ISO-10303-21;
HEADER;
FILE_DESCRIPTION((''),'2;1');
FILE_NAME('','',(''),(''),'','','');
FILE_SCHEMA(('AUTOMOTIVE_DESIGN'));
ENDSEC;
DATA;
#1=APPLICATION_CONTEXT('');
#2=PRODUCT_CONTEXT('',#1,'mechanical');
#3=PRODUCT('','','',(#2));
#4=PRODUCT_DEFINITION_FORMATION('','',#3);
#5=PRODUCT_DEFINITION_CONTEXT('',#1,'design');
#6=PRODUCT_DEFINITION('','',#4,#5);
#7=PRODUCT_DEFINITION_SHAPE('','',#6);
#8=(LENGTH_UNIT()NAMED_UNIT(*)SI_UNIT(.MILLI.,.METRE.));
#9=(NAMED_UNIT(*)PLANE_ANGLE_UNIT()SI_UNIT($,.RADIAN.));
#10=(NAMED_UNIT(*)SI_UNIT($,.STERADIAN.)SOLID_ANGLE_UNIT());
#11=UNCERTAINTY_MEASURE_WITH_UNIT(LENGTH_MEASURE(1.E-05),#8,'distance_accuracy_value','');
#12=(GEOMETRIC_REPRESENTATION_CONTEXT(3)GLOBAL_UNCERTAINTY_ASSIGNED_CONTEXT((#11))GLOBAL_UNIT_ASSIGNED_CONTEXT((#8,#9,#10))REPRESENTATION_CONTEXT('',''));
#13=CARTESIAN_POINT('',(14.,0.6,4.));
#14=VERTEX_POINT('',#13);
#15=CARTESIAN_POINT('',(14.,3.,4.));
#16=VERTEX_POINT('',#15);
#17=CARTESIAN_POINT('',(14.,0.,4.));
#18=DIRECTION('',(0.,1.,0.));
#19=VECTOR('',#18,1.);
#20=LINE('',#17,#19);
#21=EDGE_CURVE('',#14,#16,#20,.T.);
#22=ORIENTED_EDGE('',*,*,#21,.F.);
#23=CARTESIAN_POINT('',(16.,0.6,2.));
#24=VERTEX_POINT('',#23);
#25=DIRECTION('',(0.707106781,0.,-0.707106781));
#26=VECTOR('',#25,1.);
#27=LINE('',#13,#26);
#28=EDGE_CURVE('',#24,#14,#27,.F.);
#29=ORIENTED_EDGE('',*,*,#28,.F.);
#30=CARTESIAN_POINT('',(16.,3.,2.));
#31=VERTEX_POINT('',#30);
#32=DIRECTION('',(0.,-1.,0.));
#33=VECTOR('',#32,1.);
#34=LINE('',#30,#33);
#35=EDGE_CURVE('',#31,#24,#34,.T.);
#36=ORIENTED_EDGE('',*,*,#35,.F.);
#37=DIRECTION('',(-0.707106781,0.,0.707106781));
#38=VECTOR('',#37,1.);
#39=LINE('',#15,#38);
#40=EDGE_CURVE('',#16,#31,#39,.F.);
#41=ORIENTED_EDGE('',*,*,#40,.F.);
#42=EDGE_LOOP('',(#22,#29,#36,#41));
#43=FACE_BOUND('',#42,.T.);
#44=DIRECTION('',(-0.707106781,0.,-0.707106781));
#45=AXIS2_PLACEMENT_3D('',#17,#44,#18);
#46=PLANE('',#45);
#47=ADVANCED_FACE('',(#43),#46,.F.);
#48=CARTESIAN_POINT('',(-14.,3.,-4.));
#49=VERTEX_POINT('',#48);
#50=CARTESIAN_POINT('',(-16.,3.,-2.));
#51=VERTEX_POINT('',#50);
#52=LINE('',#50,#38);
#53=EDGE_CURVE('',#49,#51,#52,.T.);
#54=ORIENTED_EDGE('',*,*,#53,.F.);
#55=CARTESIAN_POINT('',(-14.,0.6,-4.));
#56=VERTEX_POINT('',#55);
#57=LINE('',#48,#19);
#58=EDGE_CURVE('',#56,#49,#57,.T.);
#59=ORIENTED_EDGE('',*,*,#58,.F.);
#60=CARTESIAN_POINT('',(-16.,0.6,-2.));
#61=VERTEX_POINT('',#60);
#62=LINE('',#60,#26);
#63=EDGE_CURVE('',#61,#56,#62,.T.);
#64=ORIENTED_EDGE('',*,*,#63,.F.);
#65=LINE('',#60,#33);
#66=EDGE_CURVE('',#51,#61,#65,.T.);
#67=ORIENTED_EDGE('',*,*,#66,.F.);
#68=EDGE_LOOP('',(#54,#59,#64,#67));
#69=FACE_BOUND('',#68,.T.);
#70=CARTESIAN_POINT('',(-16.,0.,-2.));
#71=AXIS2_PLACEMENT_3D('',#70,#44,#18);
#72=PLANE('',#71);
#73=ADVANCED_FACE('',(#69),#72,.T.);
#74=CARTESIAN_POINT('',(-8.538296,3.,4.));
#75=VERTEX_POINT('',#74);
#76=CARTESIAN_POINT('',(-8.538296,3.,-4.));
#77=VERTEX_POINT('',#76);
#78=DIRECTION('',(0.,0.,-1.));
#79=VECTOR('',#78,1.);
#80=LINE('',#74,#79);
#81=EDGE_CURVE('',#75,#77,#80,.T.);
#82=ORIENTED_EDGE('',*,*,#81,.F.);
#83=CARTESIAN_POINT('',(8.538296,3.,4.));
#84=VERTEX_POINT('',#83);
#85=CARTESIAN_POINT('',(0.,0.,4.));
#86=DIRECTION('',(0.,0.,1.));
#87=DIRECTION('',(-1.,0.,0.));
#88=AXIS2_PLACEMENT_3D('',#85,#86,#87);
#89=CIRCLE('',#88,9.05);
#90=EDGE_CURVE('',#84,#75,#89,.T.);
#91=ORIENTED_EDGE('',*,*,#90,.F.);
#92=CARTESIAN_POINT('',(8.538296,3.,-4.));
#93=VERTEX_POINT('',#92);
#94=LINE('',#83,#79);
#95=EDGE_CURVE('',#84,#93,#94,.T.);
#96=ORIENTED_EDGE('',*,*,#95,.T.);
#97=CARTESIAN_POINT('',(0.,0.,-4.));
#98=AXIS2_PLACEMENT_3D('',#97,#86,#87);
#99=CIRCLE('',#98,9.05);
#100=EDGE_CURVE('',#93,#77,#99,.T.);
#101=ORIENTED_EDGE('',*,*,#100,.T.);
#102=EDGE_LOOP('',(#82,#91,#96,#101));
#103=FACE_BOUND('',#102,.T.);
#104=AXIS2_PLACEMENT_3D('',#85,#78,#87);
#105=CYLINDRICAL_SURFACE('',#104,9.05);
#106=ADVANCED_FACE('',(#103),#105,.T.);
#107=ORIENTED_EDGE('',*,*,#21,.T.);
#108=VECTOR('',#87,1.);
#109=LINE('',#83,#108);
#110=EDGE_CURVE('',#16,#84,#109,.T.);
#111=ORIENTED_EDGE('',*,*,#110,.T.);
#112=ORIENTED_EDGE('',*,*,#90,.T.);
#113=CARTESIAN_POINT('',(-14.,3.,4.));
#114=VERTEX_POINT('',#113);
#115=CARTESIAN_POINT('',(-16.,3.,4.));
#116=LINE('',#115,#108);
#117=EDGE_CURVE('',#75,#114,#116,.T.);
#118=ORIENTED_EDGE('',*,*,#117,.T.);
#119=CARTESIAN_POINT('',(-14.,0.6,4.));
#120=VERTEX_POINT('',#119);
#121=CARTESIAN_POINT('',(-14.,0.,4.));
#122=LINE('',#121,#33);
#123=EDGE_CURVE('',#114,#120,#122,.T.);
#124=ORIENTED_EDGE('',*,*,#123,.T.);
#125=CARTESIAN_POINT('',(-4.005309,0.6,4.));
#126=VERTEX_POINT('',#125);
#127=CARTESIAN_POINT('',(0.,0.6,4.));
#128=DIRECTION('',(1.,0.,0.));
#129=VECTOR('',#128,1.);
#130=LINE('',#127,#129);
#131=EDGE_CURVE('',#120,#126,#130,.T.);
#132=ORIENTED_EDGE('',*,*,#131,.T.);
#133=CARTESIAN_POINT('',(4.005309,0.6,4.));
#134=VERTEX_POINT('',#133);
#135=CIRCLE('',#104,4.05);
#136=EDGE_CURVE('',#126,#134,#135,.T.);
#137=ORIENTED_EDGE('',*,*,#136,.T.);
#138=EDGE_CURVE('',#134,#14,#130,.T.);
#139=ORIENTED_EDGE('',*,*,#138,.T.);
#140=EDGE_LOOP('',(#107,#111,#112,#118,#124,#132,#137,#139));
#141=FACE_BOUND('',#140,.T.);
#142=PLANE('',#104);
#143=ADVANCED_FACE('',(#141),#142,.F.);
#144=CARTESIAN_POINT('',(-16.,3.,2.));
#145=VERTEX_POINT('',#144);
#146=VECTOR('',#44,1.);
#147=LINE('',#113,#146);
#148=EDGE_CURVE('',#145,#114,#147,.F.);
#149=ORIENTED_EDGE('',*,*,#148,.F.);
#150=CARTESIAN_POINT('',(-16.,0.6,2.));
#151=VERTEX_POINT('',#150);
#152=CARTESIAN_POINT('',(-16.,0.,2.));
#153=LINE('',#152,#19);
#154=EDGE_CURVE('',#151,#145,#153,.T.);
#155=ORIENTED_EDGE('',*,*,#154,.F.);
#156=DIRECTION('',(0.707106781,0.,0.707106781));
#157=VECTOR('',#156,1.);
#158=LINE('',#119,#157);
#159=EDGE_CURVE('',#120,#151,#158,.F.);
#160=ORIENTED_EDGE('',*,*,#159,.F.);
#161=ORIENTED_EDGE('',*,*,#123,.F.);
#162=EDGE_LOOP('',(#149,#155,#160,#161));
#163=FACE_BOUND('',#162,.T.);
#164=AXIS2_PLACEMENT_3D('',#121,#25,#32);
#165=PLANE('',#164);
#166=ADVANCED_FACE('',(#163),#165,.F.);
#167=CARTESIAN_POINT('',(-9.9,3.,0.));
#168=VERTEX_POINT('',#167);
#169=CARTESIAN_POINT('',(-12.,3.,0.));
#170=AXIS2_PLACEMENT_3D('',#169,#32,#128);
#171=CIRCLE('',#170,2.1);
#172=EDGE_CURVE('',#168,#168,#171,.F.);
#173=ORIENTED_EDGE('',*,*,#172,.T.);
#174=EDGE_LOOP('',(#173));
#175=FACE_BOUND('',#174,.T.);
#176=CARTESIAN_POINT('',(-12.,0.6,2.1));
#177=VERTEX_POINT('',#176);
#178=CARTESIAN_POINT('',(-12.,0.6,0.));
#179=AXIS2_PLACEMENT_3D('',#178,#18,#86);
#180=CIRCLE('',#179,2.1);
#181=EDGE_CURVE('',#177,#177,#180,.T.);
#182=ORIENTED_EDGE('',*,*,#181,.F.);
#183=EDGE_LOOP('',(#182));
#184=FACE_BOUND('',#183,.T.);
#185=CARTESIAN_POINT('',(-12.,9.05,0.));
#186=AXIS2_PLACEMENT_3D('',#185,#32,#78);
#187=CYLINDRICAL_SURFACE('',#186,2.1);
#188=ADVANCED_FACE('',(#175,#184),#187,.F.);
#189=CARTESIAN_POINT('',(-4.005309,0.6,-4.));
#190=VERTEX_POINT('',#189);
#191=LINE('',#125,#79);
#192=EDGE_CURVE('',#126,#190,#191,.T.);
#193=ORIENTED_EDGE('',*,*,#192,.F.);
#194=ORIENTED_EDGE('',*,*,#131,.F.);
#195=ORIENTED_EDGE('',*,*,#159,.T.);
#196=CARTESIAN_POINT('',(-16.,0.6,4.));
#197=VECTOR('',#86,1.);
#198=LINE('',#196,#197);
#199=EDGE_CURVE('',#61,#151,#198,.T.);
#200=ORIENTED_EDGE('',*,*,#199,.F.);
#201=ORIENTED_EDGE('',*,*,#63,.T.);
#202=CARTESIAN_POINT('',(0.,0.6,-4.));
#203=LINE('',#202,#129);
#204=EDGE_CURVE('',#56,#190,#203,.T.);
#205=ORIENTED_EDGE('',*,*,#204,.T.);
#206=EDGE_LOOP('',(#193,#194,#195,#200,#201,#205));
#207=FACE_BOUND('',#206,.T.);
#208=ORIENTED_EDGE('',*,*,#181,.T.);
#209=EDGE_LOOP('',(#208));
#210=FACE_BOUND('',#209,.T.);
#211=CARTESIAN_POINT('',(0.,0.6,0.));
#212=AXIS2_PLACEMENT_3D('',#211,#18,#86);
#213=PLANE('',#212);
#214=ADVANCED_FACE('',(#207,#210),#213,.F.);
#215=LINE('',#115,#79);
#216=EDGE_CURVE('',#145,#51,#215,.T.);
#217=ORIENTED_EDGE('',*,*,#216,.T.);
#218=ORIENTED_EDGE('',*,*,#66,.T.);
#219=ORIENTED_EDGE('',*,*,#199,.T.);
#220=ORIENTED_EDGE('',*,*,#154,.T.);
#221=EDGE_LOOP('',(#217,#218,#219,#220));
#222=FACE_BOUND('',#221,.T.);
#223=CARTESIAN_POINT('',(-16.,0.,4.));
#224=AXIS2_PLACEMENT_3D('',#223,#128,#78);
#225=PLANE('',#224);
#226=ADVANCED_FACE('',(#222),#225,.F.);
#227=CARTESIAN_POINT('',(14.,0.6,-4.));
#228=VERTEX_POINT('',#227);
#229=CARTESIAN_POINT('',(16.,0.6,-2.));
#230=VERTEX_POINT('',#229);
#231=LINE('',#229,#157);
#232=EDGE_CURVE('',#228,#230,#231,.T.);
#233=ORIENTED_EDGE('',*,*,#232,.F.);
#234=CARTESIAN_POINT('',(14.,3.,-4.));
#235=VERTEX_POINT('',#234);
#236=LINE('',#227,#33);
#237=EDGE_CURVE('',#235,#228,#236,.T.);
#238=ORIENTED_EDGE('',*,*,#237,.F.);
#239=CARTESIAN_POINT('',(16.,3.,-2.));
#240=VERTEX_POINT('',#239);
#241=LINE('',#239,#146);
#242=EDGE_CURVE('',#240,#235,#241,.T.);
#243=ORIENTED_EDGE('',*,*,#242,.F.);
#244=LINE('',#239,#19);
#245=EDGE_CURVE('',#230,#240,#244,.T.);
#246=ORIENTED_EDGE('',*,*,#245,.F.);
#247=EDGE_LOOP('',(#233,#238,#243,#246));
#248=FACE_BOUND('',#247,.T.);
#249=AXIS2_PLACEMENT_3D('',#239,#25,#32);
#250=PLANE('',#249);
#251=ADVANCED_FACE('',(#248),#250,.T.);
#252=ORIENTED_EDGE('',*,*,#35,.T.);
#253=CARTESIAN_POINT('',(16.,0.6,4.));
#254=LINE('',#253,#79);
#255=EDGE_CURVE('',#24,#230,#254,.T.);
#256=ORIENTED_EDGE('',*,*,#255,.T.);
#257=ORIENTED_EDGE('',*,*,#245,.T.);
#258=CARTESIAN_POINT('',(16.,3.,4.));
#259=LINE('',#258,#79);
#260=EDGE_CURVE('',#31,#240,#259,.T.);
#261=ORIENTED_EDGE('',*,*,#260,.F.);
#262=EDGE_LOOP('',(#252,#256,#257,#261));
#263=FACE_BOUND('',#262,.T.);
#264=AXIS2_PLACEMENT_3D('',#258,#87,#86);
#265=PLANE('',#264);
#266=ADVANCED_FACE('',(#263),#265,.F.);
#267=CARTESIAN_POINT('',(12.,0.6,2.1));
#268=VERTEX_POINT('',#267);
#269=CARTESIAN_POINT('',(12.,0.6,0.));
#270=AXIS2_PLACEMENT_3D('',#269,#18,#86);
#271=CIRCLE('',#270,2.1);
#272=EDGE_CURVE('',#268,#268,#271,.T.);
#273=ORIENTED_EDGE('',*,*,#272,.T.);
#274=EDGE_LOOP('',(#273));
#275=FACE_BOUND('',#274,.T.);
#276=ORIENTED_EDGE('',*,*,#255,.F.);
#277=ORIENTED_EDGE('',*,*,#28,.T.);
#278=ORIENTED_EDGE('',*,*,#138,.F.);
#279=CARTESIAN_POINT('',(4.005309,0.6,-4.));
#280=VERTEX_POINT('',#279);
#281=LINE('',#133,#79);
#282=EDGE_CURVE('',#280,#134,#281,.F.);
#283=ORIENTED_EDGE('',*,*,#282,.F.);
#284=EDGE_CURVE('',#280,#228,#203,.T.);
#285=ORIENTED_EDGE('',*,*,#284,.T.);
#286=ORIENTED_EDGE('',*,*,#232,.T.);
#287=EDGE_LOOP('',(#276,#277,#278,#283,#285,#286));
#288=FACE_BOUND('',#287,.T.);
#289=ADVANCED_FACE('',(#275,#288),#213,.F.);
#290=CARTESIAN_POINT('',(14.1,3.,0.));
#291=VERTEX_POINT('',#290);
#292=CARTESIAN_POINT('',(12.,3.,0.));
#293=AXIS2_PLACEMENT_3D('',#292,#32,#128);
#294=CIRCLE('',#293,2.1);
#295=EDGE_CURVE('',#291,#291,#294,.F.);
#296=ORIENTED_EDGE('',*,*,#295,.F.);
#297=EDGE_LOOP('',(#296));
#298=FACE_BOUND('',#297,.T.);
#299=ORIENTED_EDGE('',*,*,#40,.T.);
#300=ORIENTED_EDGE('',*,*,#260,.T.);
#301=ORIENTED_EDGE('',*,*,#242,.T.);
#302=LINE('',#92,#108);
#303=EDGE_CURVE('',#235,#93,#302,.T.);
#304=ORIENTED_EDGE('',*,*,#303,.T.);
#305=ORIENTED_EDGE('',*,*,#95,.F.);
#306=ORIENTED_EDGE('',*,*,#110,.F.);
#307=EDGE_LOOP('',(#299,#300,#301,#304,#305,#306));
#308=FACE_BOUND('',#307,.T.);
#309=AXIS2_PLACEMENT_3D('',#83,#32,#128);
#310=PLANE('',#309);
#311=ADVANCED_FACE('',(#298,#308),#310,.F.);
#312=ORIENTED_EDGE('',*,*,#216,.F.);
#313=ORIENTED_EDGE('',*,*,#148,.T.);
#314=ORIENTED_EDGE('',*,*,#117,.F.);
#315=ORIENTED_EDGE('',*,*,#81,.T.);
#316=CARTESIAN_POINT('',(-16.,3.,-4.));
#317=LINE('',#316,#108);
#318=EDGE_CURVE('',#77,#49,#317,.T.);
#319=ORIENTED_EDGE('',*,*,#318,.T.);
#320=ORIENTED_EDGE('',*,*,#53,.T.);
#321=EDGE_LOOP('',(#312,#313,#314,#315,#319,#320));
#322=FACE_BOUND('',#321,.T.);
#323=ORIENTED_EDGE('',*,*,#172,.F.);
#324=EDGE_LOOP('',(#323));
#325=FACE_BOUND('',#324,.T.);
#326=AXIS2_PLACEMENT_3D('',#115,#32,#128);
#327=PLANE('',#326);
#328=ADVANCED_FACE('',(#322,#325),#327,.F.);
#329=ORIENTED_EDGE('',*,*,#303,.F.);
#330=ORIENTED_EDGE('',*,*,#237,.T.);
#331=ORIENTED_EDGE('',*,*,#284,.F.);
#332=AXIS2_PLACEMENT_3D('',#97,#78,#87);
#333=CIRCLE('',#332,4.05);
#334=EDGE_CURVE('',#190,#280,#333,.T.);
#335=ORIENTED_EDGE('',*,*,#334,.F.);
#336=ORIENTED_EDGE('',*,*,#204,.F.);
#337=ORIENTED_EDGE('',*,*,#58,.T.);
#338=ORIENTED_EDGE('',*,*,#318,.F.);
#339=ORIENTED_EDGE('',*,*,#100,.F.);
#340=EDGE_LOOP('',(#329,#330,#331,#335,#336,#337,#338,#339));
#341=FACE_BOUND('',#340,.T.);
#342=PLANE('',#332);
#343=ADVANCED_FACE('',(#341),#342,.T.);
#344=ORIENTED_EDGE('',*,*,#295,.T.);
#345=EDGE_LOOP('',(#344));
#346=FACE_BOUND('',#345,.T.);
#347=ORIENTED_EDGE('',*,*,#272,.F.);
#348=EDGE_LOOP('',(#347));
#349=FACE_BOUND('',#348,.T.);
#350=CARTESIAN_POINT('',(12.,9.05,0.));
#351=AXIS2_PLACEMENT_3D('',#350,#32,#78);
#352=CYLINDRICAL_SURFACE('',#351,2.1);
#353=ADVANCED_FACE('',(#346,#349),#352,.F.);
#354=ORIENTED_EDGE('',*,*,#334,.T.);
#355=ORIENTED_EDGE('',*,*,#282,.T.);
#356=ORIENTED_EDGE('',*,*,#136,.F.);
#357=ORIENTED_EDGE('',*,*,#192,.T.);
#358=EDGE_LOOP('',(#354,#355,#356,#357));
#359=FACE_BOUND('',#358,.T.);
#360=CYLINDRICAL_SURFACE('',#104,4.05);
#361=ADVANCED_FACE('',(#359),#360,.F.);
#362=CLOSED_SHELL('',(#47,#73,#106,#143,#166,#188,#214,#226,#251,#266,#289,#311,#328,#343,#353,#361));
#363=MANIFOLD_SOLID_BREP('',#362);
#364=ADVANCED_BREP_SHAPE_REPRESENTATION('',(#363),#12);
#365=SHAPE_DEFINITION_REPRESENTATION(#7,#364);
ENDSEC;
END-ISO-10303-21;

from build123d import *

# Parameters (mm, degrees)
BOSS_EXTRUDE1_DEPTH = 4
SKETCH2_R           = 2.1
CUT_EXTRUDE1_DEPTH  = 19.812296511
SKETCH3_W           = 40
SKETCH3_H           = 10
CUT_EXTRUDE2_DEPTH  = 0.6
CHAMFER1_SIZE       = 2


with BuildPart() as part:
    # Sketch1 → Boss-Extrude1 (new, symmetric)
    with BuildSketch(Plane.XY):
        with BuildLine():
            Line((-4.05, 0), (-16, 0))
            Line((-16, 0), (-16, 3))
            Line((-16, 3), (-8.538296083, 3))
            ThreePointArc((-8.538296083, 3), (0, 9.05), (8.538296083, 3))
            Line((8.538296083, 3), (16, 3))
            Line((16, 3), (16, 0))
            Line((16, 0), (4.05, 0))
            ThreePointArc((4.05, 0), (0, 4.05), (-4.05, 0))
        make_face()
    extrude(amount=BOSS_EXTRUDE1_DEPTH, both=True)

    # Sketch2 → Cut-Extrude1 (cut, through all)
    with BuildSketch(Plane(origin=(0, 0, 0), x_dir=(1, 0, 0), z_dir=(0, 1, 0))):
        with Locations((-12, 0)):
            Circle(SKETCH2_R)
        with Locations((12, 0)):
            Circle(SKETCH2_R)
    extrude(amount=CUT_EXTRUDE1_DEPTH, mode=Mode.SUBTRACT)

    # Sketch3 → Cut-Extrude2 (cut)
    with BuildSketch(Plane(origin=(0, 0, 0), x_dir=(1, 0, 0), z_dir=(0, 1, 0))):
        Rectangle(SKETCH3_W, SKETCH3_H)
    extrude(amount=CUT_EXTRUDE2_DEPTH, mode=Mode.SUBTRACT)

    # Chamfer1
    chamfer1_edges = [part.edges().sort_by_distance(p)[0] for p in [
        (-16, 1.8, 4),
        (16, 1.8, -4),
        (16, 1.8, 4),
        (-16, 1.8, -4),
    ]]
    chamfer(chamfer1_edges, length=CHAMFER1_SIZE)


solid = part.part
